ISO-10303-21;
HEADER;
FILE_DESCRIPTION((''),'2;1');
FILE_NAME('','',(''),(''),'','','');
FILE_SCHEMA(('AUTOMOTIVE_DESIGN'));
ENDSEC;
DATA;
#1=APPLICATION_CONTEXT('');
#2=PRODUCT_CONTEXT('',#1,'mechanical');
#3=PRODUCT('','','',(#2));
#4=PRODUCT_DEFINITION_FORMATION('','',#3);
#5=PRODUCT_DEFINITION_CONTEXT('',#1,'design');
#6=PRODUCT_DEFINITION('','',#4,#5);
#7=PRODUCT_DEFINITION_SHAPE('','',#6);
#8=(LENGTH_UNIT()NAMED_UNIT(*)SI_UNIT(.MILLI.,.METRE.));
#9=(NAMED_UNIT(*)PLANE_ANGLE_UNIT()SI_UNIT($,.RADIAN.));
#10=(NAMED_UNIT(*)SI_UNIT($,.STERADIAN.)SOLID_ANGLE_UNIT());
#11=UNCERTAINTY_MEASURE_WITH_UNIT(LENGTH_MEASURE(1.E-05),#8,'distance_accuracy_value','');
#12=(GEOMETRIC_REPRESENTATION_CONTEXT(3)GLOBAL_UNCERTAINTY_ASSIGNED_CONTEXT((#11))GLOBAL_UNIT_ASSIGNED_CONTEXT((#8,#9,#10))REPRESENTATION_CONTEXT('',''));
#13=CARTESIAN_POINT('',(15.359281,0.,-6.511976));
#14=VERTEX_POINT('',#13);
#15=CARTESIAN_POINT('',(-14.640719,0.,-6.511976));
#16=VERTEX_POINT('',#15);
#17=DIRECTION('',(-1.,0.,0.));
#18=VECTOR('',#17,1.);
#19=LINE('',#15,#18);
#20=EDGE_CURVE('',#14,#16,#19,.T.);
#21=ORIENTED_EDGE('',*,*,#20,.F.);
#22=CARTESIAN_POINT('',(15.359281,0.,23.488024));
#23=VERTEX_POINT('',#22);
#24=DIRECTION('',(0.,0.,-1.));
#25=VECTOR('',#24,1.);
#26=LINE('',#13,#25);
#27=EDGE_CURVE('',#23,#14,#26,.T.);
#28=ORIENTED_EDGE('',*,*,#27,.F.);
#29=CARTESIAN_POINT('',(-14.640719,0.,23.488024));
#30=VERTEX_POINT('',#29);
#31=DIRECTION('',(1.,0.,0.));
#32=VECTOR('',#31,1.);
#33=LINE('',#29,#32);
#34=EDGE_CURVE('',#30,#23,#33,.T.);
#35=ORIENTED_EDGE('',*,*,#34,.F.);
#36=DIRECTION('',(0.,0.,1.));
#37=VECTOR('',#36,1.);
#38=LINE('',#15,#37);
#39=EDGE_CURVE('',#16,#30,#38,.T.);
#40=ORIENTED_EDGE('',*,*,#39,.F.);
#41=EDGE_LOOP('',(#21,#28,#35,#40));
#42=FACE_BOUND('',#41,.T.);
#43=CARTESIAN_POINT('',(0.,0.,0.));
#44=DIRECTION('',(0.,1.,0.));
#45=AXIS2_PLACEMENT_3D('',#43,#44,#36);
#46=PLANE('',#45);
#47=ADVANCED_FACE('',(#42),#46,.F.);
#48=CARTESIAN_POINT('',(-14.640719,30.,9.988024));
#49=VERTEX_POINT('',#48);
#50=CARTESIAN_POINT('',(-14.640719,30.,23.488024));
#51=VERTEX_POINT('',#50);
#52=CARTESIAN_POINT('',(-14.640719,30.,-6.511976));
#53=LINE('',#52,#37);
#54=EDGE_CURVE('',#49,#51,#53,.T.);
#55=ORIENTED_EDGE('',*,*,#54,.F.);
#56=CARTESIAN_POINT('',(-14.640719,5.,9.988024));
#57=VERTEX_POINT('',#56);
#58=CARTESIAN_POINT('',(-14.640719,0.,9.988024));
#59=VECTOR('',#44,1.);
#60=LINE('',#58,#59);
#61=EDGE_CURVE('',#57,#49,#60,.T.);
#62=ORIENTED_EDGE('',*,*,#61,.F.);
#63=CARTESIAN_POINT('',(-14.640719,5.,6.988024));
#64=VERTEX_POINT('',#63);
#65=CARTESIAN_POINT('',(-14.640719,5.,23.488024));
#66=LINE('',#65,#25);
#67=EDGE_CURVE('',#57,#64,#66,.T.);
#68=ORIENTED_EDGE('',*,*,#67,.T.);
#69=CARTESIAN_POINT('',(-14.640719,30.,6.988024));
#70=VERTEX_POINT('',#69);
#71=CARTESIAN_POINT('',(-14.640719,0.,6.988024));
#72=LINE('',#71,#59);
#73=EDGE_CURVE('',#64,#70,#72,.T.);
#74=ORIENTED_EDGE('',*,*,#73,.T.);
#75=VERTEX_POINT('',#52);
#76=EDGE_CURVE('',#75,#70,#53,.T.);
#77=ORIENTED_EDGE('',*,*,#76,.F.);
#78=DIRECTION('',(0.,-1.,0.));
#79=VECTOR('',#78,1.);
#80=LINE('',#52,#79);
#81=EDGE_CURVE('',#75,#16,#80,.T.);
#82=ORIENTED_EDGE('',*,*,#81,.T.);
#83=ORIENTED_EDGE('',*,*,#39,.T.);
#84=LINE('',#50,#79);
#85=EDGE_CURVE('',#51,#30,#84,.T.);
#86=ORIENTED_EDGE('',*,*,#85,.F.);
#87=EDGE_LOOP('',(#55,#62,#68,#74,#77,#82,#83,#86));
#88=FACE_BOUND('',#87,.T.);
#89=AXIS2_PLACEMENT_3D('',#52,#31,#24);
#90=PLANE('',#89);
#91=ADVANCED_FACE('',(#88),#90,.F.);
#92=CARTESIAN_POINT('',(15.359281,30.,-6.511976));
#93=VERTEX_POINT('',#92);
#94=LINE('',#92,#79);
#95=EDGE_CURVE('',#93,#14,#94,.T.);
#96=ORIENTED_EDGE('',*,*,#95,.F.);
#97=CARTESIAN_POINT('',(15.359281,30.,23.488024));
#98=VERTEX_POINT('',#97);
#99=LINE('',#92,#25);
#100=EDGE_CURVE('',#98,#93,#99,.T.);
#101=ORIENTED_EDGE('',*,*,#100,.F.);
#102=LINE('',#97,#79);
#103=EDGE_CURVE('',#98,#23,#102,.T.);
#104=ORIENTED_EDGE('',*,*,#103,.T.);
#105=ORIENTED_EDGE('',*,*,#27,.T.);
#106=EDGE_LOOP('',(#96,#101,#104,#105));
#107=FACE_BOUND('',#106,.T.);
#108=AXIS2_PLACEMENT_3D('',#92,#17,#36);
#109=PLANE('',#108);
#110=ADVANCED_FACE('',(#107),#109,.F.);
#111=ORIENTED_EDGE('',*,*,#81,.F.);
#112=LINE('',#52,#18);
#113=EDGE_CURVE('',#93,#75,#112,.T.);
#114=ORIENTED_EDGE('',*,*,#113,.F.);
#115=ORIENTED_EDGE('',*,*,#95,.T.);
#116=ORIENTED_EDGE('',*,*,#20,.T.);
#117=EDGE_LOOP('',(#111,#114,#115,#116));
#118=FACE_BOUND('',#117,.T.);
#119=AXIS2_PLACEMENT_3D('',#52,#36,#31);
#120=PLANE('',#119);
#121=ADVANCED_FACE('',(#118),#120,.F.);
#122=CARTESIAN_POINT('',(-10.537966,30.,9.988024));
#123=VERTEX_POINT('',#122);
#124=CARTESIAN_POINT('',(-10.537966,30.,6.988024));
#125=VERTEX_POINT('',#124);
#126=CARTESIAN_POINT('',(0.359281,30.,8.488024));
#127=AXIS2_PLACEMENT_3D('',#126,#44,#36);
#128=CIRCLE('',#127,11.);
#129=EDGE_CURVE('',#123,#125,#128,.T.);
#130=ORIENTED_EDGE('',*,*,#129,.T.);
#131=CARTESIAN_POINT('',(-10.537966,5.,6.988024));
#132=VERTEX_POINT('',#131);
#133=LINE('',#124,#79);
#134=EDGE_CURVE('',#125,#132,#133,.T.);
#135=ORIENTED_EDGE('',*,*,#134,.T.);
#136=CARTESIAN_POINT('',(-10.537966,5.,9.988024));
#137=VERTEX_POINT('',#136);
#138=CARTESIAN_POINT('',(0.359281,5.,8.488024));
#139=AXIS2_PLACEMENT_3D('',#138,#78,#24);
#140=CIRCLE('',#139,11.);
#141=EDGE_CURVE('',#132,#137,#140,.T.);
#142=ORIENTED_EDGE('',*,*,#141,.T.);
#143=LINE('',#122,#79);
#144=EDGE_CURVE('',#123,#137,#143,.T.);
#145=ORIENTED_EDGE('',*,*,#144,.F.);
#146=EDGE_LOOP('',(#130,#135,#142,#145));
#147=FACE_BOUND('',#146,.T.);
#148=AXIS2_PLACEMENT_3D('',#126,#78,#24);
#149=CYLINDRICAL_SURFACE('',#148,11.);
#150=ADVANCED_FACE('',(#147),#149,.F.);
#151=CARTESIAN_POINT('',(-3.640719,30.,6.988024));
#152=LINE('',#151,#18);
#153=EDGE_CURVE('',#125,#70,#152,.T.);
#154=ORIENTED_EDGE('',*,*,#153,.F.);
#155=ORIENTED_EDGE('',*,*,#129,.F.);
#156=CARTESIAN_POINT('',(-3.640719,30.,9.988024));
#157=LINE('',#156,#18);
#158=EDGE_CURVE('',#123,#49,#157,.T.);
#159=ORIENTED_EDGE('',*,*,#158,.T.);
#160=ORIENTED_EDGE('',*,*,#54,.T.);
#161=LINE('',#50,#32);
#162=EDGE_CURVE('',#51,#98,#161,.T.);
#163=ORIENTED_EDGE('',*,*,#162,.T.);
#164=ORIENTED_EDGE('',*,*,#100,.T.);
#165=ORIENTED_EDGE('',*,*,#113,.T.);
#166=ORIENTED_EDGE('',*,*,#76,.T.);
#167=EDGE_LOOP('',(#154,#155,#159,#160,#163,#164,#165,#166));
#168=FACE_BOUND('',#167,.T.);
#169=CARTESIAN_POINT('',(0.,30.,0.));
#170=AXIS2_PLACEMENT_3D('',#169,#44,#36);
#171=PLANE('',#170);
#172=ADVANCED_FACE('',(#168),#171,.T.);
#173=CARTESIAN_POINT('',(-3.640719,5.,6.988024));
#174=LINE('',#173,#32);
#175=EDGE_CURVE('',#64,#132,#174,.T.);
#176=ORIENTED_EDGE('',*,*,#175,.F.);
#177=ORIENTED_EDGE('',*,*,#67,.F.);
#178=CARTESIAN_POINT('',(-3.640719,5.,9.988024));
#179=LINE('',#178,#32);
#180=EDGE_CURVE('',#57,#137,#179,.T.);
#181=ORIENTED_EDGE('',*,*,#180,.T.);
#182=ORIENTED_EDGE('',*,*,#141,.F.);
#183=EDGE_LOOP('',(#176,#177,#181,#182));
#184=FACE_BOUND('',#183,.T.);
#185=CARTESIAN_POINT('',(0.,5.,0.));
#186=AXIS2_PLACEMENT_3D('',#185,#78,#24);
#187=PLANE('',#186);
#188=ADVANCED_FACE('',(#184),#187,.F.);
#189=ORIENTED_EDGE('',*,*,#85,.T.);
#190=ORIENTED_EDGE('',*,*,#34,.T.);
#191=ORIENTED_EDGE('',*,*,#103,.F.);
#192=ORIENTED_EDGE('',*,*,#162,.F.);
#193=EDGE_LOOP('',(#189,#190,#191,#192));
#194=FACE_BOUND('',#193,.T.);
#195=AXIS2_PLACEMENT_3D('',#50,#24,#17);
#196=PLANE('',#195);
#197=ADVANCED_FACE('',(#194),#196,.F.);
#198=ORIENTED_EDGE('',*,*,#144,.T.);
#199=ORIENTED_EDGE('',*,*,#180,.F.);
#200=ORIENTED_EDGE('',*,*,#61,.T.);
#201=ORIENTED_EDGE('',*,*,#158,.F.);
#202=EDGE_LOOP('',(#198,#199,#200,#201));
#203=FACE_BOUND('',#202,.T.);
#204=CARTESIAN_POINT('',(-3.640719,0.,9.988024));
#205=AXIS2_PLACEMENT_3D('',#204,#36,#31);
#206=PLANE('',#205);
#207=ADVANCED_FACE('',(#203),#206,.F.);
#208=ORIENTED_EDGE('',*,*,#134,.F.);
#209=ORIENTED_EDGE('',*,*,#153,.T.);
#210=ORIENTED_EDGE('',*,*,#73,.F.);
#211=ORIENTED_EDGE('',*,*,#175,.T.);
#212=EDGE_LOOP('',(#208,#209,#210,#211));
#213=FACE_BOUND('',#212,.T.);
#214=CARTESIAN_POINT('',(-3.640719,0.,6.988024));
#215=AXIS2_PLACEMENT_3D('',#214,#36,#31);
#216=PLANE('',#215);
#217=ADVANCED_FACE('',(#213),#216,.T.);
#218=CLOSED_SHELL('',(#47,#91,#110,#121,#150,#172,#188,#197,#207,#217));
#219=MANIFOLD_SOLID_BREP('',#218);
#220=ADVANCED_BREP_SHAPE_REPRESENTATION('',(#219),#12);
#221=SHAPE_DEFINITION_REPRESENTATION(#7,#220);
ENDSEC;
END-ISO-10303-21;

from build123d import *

# Parameters (mm, degrees)
SKETCH1_W           = 30
SKETCH1_H           = 30
SKETCH1_R           = 11
BOSS_EXTRUDE1_DEPTH = 30
SKETCH2_W           = 3
SKETCH2_H           = 30
CUT_EXTRUDE1_DEPTH  = 11
SKETCH4_W           = 30
SKETCH4_H           = 30
BOSS_EXTRUDE3_DEPTH = 5


with BuildPart() as part:
    # Sketch1 → Boss-Extrude1 (new body)
    with BuildSketch(Plane(origin=(0, 0, 0), x_dir=(1, 0, 0), z_dir=(0, 1, 0))):
        with Locations((0.359281437, -8.488023952)):
            Rectangle(SKETCH1_W, SKETCH1_H)
        with Locations((0.359281437, -8.488023952)):
            Circle(SKETCH1_R, mode=Mode.SUBTRACT)
    extrude(amount=BOSS_EXTRUDE1_DEPTH)

    # Sketch2 → Cut-Extrude1 (cut)
    with BuildSketch(Plane.ZY.offset(14.640718563)):
        with Locations((8.488023952, 15)):
            Rectangle(SKETCH2_W, SKETCH2_H)
    extrude(amount=-CUT_EXTRUDE1_DEPTH, mode=Mode.SUBTRACT)

    # Sketch4 → Boss-Extrude3 (add)
    with BuildSketch(Plane.XZ):
        with Locations((0.359281437, 8.488023952)):
            Rectangle(SKETCH4_W, SKETCH4_H)
    extrude(amount=-BOSS_EXTRUDE3_DEPTH)


solid = part.part
